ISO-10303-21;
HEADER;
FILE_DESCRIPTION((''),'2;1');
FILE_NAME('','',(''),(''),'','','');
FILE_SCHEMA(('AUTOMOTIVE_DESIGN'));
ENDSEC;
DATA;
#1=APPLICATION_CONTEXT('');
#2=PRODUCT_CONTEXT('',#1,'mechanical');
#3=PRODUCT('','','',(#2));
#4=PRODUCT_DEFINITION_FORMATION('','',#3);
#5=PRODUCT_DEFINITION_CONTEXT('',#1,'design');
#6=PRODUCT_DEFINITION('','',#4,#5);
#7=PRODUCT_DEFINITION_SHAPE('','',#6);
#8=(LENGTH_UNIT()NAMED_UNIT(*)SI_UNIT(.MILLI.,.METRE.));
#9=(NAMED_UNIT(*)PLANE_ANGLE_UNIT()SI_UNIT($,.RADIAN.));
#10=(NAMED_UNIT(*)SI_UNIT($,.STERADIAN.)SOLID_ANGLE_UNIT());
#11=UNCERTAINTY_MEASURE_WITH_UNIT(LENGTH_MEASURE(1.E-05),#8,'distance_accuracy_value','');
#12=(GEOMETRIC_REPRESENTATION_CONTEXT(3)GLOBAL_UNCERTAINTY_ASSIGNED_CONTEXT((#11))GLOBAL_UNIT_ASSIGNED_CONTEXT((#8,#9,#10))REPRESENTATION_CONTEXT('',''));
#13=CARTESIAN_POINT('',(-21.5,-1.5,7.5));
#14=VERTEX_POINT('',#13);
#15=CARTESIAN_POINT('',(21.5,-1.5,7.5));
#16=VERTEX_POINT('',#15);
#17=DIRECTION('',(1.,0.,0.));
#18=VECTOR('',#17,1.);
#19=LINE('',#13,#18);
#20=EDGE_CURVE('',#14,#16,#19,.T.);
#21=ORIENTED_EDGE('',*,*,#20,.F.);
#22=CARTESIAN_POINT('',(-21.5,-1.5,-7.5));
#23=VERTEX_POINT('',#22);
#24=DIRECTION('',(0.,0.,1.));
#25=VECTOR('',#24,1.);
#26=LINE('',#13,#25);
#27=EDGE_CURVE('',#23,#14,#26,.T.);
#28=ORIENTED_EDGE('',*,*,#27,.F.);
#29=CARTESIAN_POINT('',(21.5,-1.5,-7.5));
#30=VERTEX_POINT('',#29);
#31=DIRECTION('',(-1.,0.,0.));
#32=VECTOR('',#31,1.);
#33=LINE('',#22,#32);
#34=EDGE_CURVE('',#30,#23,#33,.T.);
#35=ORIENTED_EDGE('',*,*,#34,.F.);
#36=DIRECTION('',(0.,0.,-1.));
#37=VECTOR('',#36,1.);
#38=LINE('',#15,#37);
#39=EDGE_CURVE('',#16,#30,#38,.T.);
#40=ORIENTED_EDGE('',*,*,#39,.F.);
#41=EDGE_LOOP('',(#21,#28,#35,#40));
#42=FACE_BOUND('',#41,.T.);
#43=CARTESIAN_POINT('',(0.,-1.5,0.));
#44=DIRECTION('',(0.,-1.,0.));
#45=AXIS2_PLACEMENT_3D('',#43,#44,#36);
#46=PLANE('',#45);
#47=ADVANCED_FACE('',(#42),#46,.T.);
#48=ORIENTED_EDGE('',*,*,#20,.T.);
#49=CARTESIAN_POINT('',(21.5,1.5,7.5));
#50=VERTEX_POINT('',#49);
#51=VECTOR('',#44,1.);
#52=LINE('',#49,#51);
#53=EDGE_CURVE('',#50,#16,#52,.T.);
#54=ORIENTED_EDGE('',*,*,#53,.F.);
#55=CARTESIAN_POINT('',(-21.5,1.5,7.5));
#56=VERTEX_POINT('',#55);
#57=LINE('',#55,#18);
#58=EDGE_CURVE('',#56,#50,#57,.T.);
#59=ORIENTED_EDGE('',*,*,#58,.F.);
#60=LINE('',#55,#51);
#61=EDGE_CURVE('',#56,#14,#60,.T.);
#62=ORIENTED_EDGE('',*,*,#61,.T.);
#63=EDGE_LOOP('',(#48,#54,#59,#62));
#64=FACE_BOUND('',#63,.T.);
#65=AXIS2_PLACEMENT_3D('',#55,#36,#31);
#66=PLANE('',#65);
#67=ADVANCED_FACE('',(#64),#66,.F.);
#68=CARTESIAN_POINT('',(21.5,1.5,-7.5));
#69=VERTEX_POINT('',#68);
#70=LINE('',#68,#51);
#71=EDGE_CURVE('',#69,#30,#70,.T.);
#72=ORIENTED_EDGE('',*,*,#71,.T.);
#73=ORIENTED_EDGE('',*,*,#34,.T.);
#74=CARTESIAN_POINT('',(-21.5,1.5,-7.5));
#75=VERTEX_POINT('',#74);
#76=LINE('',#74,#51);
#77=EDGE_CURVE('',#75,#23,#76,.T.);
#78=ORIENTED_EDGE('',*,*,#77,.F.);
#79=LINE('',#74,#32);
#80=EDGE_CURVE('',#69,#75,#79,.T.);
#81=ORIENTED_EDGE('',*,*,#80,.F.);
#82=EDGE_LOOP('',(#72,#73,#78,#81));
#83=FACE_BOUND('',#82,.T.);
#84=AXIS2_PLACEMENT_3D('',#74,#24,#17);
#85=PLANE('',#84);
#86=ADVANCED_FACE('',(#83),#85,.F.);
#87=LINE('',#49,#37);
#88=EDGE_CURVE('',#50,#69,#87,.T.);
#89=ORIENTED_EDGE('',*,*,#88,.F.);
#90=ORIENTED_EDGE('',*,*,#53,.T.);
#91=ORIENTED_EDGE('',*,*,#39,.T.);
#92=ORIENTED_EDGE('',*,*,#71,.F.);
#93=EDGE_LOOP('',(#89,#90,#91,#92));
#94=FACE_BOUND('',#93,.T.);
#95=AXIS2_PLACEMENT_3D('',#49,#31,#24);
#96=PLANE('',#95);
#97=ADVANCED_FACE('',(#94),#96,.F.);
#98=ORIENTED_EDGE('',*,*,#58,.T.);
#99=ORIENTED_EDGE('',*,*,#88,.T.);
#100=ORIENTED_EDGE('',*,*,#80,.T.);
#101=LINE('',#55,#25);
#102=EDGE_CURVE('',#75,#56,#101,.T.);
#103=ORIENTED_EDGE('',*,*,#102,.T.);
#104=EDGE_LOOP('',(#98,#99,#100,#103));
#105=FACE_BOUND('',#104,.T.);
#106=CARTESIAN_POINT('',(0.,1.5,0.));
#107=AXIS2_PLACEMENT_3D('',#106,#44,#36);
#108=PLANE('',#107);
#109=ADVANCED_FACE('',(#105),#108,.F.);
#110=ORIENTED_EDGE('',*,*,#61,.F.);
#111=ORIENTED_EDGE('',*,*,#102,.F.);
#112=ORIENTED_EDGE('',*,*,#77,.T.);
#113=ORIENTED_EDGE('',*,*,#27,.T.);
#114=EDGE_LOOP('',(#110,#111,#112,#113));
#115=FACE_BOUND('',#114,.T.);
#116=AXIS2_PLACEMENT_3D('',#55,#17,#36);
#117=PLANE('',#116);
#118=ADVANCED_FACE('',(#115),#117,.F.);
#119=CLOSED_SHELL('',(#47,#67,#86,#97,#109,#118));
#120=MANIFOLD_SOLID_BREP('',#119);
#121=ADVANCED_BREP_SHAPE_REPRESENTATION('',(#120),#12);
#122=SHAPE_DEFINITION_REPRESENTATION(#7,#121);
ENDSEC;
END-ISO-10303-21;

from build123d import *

# Parameters (mm, degrees)
ESBO_O1_W                = 43
ESBO_O1_H                = 15
RESSALTO_EXTRUS_O1_DEPTH = 1.5


with BuildPart() as part:
    # Esboço1 → Ressalto-extrusão1 (new, symmetric)
    with BuildSketch(Plane(origin=(0, 0, 0), x_dir=(1, 0, 0), z_dir=(0, 1, 0))):
        Rectangle(ESBO_O1_W, ESBO_O1_H)
    extrude(amount=RESSALTO_EXTRUS_O1_DEPTH, both=True)


solid = part.part
